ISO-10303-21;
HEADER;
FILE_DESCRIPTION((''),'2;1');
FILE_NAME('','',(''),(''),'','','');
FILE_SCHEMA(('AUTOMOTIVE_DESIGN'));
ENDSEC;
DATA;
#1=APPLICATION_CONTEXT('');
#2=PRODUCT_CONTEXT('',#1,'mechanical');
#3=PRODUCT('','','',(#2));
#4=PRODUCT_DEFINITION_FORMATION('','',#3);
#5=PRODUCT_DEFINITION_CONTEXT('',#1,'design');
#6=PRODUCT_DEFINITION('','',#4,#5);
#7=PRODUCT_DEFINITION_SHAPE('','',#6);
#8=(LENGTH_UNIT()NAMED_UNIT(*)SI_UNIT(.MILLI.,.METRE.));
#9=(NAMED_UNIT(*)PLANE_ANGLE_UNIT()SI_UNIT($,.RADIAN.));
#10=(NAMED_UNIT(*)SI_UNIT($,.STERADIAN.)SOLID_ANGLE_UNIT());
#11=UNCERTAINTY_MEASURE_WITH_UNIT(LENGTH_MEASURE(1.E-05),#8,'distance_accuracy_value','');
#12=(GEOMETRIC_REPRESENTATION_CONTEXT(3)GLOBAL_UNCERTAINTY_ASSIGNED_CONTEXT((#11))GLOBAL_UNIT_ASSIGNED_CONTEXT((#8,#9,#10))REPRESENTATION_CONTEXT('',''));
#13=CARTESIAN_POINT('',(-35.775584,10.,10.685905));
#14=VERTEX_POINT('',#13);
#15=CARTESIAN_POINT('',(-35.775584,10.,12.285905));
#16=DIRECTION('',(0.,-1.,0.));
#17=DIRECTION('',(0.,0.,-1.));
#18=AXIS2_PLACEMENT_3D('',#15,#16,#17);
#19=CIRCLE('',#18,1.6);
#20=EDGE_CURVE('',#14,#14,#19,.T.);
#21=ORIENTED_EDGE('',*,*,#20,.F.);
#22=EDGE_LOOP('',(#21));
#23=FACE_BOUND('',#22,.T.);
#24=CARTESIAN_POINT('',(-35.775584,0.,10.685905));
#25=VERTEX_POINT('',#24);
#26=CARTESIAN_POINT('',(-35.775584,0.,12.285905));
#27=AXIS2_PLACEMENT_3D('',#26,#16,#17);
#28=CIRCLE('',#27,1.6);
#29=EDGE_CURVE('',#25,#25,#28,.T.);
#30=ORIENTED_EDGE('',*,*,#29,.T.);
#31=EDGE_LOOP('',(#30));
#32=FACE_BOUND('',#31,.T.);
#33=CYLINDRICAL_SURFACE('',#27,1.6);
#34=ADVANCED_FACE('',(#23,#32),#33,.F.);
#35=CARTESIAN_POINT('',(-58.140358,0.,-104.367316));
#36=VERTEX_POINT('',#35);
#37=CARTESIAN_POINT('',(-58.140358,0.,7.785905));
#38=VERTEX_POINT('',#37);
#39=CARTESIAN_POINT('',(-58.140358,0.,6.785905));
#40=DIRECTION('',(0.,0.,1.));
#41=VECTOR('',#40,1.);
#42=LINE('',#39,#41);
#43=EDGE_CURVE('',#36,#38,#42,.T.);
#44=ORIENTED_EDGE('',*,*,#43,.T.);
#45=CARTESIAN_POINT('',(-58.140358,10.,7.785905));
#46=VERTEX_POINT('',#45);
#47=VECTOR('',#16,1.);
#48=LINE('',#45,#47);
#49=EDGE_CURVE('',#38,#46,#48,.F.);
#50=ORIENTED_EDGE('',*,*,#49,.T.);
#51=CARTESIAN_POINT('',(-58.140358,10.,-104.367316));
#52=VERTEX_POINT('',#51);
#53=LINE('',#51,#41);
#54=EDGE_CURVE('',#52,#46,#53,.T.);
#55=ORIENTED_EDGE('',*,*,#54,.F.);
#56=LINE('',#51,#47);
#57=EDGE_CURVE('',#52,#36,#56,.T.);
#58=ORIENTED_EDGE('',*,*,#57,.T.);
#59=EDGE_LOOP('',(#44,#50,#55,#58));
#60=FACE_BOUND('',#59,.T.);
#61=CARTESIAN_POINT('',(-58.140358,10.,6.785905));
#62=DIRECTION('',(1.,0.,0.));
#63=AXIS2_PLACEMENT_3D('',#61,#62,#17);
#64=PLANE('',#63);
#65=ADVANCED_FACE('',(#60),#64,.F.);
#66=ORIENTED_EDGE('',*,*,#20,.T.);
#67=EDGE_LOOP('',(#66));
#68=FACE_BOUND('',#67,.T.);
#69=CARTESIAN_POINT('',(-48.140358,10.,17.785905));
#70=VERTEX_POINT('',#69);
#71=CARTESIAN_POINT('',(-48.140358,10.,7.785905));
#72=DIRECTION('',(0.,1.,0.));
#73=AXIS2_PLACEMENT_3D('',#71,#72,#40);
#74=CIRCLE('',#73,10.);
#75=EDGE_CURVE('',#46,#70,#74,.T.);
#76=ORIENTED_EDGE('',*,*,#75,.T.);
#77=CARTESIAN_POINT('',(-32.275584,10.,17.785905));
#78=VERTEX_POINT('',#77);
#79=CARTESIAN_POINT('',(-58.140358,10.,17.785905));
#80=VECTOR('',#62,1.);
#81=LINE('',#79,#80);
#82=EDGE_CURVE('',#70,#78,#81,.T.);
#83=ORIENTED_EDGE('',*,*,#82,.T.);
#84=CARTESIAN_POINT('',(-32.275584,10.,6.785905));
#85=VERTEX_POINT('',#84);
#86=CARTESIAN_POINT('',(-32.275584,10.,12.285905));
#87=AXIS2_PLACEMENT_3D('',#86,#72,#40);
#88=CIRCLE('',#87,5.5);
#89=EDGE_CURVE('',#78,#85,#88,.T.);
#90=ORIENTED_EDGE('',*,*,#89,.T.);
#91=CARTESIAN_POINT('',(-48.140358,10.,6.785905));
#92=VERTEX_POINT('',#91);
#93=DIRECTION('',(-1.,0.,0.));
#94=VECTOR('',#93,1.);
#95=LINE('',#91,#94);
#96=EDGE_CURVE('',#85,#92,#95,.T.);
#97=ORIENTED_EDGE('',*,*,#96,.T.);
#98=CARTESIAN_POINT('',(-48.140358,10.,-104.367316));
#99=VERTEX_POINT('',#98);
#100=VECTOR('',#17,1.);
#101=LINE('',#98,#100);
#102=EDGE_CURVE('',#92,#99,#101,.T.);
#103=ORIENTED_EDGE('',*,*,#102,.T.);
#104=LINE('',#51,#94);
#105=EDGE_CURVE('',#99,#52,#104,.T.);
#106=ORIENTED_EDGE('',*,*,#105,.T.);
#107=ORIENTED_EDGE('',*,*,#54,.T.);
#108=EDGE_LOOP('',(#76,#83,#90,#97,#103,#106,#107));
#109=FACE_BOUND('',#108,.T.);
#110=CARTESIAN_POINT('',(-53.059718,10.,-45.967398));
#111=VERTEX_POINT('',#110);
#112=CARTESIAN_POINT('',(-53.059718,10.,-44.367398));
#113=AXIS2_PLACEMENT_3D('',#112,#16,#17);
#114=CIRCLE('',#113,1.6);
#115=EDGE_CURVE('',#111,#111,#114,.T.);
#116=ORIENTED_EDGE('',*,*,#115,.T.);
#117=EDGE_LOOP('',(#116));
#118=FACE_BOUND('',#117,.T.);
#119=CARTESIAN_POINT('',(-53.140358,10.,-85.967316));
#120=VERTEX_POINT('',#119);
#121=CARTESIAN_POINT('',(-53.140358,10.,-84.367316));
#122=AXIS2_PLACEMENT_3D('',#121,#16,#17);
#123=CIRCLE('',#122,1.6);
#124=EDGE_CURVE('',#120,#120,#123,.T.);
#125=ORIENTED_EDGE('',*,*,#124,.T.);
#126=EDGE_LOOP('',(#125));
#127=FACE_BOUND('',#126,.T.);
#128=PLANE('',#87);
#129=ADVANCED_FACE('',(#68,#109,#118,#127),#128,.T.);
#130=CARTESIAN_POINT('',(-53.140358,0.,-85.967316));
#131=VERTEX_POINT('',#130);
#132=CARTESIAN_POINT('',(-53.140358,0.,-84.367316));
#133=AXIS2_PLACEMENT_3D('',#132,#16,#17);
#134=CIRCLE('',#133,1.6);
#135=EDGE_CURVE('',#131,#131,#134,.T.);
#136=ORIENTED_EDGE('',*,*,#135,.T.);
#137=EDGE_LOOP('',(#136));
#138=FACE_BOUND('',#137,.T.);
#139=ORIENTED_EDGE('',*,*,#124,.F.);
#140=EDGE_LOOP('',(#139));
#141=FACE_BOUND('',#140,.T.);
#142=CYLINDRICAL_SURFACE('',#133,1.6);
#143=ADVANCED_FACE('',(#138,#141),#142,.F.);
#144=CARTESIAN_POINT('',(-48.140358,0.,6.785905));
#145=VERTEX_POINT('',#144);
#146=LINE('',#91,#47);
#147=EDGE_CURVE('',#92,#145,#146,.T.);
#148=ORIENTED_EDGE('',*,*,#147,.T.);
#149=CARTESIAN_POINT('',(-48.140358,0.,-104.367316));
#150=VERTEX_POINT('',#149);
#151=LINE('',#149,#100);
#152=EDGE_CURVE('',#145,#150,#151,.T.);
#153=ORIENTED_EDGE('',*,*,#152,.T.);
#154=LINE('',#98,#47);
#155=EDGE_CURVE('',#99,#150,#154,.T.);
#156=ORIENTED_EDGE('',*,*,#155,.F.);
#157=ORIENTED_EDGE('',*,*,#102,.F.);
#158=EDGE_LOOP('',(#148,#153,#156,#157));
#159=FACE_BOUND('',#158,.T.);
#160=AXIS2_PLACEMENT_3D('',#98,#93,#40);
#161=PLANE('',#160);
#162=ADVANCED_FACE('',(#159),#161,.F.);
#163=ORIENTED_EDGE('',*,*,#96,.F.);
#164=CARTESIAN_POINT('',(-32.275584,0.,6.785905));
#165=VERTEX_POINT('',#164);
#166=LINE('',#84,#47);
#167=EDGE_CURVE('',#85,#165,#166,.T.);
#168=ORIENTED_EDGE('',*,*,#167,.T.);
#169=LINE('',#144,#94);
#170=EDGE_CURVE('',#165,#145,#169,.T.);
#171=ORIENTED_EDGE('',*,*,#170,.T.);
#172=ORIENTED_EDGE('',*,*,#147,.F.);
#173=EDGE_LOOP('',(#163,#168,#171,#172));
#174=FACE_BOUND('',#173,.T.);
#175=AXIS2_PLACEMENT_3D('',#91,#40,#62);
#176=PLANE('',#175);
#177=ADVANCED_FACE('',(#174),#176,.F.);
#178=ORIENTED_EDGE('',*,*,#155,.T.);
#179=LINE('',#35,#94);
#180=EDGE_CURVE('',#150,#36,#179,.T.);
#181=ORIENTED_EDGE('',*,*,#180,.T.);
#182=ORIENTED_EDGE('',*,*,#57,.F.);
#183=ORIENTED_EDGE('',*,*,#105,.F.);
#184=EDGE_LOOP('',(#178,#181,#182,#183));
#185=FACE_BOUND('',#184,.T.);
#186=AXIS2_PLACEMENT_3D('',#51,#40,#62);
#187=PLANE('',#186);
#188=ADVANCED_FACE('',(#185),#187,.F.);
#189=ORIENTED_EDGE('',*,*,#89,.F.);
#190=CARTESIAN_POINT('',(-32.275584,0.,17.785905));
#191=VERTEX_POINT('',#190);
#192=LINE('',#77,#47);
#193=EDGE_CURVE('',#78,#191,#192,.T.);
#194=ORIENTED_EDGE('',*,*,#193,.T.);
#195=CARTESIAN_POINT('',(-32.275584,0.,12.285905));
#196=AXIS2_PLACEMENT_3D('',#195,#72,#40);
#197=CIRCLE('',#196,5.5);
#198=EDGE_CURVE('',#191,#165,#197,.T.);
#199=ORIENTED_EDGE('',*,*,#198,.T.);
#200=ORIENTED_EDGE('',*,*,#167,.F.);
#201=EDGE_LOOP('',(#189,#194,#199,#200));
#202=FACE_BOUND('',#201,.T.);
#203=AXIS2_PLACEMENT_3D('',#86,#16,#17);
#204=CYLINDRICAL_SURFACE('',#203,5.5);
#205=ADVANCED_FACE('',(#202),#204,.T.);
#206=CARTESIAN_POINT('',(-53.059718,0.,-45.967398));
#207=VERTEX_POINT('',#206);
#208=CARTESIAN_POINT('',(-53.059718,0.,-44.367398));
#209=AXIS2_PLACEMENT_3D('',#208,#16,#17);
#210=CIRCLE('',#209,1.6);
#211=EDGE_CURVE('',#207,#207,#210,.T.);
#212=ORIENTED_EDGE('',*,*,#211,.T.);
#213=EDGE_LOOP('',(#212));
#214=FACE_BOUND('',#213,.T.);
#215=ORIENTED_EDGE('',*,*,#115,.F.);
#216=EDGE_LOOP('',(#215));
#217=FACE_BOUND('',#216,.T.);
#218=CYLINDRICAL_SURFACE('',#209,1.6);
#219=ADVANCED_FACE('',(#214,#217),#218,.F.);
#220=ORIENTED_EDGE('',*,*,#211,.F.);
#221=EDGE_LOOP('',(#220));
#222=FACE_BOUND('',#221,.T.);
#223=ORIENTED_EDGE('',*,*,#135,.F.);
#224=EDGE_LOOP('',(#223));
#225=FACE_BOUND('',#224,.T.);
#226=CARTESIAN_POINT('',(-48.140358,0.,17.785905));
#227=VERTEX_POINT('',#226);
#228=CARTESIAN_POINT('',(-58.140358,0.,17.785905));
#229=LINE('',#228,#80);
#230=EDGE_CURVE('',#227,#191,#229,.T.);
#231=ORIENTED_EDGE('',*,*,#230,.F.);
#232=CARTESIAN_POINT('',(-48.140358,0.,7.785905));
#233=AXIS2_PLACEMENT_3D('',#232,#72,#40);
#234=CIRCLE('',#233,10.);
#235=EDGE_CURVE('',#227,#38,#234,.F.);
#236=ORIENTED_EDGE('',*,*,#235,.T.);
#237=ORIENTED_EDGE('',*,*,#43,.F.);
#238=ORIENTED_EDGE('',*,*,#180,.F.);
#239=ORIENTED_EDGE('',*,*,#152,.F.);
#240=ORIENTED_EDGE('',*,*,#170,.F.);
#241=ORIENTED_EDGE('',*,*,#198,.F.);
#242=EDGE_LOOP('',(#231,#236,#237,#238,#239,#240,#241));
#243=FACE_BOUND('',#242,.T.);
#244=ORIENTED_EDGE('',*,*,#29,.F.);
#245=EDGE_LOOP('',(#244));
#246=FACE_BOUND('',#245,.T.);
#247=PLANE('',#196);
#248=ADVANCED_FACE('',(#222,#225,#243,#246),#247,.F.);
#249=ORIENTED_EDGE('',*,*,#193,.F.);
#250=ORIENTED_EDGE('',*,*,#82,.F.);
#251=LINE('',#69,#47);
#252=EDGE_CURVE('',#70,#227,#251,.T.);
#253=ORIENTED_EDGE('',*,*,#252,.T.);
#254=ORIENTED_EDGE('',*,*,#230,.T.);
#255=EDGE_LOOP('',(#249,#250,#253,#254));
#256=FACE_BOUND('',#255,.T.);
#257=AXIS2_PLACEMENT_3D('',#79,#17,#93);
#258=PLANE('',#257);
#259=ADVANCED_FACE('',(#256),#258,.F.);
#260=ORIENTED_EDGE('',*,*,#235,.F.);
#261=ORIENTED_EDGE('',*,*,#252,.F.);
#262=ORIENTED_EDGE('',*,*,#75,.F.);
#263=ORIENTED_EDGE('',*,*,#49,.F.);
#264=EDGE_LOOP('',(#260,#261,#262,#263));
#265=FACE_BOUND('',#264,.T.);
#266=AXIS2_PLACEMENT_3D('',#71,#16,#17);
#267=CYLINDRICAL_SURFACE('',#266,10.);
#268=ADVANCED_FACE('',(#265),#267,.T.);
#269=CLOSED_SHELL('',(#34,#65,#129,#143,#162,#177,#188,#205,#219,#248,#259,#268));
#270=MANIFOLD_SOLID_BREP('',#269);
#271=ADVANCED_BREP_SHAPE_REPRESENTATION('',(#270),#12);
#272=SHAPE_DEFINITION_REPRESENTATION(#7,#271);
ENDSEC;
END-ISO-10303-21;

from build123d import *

# Parameters (mm, degrees)
BOSS_EXTRUDE1_DEPTH  = 10
FILLET1_R            = 10
M3_CLEARANCE_HOLE1_D = 3.2


with BuildPart() as part:
    # Sketch1 → Boss-Extrude1 (new body)
    with BuildSketch(Plane(origin=(0, 0, 0), x_dir=(1, 0, 0), z_dir=(0, 1, 0))):
        with BuildLine():
            Line((-58.140357718, 104.367316493), (-48.140357718, 104.367316493))
            Line((-48.140357718, 104.367316493), (-48.140357718, -6.785904903))
            Line((-48.140357718, -6.785904903), (-32.275583784, -6.785904903))
            ThreePointArc((-32.275583784, -6.785904903), (-26.775583784, -12.285904903), (-32.275583784, -17.785904903))
            Line((-32.275583784, -17.785904903), (-58.140357718, -17.785904903))
            Line((-58.140357718, -17.785904903), (-58.140357718, -6.785904903))
            Line((-58.140357718, -6.785904903), (-58.140357718, 104.367316493))
        make_face()
    extrude(amount=BOSS_EXTRUDE1_DEPTH)

    # Fillet1
    fillet1_edges = [part.edges().sort_by_distance(p)[0] for p in [
        (-58.140357718, 5, 17.785904903),
    ]]
    fillet(fillet1_edges, radius=FILLET1_R)

    # M3 Clearance Hole1 (through all)
    with Locations(Plane(origin=(-35.775583784, 0, 12.285904903), x_dir=(0, 0, -1), z_dir=(0, -1, 0))):
        with Locations((0, 0), (96.653221396, -17.364773934), (56.653302681, -17.284133769)):
            Hole(M3_CLEARANCE_HOLE1_D / 2)


solid = part.part
